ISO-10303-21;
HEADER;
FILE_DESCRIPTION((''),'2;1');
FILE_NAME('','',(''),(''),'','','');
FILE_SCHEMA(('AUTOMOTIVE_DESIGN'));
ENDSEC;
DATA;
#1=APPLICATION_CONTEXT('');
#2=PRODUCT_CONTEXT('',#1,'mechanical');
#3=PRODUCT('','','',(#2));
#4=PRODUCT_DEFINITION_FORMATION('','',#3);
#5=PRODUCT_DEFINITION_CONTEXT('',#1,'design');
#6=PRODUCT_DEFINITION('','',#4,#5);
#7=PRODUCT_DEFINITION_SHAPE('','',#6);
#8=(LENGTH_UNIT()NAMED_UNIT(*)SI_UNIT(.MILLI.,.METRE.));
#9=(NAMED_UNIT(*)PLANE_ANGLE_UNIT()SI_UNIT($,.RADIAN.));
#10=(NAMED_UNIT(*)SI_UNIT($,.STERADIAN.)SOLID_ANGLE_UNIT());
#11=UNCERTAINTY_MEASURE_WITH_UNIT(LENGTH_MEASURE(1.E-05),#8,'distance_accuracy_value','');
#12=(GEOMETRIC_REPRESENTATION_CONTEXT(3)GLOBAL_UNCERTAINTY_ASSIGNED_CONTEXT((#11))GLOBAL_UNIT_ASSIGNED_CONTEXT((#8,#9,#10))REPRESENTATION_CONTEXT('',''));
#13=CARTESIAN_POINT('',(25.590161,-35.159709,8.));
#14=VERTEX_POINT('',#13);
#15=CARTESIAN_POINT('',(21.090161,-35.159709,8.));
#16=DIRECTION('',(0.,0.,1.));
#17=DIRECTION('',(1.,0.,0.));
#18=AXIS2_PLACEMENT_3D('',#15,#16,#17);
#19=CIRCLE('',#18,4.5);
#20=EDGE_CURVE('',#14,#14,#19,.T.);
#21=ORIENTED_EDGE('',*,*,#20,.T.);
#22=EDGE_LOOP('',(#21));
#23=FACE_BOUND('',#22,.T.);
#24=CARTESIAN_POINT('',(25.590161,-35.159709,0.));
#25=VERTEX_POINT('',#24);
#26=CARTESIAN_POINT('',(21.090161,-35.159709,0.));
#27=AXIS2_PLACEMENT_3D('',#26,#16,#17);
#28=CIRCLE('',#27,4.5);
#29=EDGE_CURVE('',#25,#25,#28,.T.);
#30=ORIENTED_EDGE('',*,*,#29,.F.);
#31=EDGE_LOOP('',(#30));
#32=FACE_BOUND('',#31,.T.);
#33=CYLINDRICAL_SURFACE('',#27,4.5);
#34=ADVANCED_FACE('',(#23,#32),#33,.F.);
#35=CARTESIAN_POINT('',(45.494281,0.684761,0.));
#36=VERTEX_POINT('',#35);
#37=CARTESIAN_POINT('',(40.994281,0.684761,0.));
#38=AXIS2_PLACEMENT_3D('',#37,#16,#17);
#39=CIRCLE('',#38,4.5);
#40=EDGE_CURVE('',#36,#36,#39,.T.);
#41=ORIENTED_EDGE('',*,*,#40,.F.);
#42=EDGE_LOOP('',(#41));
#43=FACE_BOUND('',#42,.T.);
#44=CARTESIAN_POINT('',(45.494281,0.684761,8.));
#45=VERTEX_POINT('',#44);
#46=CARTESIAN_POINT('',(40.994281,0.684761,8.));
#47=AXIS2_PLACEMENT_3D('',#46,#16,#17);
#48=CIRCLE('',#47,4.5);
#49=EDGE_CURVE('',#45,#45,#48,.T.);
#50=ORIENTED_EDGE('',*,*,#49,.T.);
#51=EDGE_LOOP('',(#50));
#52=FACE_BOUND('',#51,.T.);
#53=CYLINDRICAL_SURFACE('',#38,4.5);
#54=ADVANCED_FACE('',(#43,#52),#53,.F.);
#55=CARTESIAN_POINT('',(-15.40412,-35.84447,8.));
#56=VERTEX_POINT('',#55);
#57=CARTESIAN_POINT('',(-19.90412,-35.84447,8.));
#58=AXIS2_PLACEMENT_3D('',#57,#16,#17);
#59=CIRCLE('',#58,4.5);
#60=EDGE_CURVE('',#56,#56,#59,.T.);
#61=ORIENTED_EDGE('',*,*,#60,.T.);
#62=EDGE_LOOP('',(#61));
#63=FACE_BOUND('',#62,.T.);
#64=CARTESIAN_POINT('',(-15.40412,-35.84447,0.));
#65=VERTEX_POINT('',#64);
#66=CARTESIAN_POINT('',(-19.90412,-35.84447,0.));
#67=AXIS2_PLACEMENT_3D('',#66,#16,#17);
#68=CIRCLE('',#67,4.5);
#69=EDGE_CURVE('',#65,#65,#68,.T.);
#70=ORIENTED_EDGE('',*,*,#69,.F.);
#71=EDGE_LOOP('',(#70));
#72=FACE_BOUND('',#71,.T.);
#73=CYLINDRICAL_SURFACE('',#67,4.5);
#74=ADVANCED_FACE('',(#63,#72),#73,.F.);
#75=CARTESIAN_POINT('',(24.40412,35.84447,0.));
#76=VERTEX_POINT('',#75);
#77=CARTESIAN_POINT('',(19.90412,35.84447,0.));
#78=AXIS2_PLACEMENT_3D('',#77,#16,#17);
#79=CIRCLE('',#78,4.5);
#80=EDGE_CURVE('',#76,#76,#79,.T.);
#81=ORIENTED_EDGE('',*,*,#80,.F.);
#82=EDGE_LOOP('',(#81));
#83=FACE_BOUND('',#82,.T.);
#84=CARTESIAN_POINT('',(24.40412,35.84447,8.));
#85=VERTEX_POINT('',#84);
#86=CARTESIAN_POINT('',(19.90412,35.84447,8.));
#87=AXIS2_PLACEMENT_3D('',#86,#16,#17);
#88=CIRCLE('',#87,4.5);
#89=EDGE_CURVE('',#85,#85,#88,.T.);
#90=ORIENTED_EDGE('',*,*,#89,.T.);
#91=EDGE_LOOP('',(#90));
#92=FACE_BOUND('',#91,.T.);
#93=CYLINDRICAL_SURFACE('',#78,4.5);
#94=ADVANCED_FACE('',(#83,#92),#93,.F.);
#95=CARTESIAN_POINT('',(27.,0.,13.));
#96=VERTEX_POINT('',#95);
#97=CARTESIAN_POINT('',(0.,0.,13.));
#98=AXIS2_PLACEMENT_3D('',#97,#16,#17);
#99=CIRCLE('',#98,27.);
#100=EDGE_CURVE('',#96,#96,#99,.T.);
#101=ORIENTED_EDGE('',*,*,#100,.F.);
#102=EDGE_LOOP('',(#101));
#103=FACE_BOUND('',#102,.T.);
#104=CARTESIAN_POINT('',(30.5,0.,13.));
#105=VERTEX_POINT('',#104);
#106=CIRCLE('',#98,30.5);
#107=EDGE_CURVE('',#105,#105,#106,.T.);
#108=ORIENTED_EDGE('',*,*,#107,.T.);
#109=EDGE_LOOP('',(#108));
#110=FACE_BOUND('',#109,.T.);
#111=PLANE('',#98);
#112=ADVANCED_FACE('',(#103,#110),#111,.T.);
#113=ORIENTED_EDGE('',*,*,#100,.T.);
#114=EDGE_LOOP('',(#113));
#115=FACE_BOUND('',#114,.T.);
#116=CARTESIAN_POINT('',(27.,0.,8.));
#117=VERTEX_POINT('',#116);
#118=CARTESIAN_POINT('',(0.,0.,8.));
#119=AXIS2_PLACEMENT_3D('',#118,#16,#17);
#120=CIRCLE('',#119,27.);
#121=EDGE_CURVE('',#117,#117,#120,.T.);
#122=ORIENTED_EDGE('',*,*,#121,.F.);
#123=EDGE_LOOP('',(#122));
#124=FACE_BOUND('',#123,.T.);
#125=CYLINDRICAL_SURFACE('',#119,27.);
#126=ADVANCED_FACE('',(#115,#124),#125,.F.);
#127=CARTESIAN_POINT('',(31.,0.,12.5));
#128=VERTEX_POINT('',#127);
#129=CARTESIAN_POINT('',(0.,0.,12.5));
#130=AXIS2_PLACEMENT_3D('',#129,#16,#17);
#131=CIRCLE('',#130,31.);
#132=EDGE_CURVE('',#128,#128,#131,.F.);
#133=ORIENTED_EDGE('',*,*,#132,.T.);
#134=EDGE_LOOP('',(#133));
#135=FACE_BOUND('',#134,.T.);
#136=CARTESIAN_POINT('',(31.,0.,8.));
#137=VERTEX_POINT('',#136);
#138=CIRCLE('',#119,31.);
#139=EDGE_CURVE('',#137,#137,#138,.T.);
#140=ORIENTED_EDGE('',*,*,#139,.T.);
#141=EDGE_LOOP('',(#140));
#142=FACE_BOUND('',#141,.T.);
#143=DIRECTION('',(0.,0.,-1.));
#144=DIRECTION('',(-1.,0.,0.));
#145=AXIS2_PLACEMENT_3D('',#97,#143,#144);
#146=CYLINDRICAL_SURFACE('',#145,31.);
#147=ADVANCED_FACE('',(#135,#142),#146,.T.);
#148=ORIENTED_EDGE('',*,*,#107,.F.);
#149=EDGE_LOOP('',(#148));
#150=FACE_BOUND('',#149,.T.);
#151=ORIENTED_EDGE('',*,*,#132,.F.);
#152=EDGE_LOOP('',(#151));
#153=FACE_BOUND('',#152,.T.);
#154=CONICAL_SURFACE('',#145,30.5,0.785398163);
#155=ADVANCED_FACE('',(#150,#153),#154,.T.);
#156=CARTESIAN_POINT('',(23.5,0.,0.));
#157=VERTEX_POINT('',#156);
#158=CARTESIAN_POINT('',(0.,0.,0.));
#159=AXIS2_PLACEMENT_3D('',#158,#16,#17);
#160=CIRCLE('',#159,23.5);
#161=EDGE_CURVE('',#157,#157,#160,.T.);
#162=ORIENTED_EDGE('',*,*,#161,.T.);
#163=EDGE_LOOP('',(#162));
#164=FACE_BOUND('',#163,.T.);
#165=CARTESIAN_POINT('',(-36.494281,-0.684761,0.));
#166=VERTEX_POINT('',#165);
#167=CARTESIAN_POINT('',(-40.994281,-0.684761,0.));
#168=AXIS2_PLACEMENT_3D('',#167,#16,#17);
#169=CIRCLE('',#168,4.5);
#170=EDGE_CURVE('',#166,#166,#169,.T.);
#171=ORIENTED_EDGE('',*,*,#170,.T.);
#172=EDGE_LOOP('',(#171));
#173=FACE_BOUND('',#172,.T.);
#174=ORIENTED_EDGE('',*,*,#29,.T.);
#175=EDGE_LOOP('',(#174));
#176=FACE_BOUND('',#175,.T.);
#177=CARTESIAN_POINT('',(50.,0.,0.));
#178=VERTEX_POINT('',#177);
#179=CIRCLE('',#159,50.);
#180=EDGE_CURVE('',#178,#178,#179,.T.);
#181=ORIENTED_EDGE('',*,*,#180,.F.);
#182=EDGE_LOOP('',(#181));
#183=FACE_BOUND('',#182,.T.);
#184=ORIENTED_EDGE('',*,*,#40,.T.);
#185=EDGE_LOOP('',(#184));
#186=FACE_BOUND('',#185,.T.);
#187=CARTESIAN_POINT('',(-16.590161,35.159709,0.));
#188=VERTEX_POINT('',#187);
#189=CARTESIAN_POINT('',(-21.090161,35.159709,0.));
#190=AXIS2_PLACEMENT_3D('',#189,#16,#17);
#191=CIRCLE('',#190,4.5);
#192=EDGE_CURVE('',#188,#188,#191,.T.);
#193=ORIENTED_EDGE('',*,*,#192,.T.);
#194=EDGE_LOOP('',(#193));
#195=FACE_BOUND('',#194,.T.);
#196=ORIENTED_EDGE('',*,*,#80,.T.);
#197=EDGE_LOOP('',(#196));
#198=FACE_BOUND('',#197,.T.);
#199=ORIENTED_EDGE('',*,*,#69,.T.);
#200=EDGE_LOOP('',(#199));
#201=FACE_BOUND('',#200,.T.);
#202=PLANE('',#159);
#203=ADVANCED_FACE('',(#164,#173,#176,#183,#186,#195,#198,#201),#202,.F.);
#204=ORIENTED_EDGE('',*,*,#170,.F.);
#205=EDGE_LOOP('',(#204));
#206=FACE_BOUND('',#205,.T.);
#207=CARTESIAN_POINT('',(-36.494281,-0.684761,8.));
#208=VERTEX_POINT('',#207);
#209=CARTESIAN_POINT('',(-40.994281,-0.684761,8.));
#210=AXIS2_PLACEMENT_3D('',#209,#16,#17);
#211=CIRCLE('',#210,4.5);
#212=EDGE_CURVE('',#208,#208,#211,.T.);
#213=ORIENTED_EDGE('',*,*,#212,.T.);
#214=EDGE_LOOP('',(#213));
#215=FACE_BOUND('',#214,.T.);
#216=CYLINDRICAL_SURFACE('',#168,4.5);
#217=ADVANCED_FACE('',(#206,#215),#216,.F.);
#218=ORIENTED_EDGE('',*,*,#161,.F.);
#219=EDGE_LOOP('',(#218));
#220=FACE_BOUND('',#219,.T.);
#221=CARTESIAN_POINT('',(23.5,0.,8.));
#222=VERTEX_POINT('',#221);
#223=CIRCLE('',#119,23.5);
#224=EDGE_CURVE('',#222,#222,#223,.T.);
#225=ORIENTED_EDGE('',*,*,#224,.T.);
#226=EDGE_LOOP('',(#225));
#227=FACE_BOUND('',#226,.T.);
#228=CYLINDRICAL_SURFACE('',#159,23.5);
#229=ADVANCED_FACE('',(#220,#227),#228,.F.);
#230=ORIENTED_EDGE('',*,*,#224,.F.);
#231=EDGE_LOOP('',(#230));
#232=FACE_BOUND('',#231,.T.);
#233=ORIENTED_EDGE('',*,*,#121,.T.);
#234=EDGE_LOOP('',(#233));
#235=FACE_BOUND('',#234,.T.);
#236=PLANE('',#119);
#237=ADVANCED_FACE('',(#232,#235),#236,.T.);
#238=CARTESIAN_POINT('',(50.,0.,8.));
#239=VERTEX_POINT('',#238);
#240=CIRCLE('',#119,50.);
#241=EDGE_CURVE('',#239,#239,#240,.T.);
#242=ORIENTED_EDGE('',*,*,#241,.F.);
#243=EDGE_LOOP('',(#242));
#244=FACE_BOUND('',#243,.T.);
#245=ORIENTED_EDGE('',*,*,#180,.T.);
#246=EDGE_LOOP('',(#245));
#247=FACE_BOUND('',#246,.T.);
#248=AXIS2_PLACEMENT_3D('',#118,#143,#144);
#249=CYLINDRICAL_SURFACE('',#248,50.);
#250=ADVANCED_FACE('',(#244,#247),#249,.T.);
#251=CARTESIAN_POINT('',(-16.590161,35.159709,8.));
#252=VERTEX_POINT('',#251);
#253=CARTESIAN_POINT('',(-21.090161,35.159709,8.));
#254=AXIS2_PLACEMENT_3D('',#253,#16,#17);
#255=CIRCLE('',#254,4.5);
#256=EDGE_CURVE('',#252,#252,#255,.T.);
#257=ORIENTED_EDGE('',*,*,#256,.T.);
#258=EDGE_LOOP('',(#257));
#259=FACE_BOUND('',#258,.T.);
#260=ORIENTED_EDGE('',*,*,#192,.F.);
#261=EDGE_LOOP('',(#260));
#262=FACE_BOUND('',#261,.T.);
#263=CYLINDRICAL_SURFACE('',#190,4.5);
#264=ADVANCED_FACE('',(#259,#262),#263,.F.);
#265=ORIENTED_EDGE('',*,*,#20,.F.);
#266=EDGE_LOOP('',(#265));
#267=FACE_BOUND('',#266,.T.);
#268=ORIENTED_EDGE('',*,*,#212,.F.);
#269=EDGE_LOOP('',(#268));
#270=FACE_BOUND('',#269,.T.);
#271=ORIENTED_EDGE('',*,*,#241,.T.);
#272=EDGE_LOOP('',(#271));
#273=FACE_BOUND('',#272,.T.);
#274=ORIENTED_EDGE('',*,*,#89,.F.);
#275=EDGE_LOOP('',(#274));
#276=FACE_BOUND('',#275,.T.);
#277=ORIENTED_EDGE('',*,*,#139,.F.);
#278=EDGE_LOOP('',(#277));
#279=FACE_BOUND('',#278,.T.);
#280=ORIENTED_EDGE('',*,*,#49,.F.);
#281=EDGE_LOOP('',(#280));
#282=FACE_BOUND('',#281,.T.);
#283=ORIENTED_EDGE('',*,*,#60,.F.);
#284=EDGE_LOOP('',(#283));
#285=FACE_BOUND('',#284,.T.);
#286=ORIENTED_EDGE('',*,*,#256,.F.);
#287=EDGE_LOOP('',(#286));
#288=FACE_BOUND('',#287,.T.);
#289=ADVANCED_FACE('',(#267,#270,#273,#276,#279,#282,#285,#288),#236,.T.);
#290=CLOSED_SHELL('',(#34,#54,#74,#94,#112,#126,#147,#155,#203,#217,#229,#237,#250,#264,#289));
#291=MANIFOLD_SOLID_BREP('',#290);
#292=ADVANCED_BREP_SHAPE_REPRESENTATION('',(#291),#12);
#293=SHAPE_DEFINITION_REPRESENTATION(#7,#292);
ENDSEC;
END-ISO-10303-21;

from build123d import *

# Parameters (mm, degrees)
SKETCH_1_R          = 50
EXTRUDE_1_DEPTH     = 8
SKETCH_2_R          = 31
EXTRUDE_2_DEPTH     = 5
SKETCH_3_R          = 27
CUT_EXTRUDE_2_DEPTH = 5
SKETCH_4_R          = 23.5
CUT_EXTRUDE_3_DEPTH = 72.161787499
SKETCH_5_R          = 4.5
CUT_EXTRUDE_4_DEPTH = 72.161787499
CHAMFER_1_SIZE      = 0.5


with BuildPart() as part:
    # 草图1 → 凸台-拉伸1 (new body)
    with BuildSketch(Plane.XY):
        Circle(SKETCH_1_R)
    extrude(amount=EXTRUDE_1_DEPTH)

    # 草图2 → 凸台-拉伸2 (add)
    with BuildSketch(Plane.XY.offset(8)):
        Circle(SKETCH_2_R)
    extrude(amount=EXTRUDE_2_DEPTH)

    # 草图3 → 切除-拉伸2 (cut)
    with BuildSketch(Plane.XY.offset(13)):
        Circle(SKETCH_3_R)
    extrude(amount=-CUT_EXTRUDE_2_DEPTH, mode=Mode.SUBTRACT)

    # 草图4 → 切除-拉伸3 (cut, through all)
    with BuildSketch(Plane.XY.offset(8)):
        Circle(SKETCH_4_R)
    extrude(amount=-CUT_EXTRUDE_3_DEPTH, mode=Mode.SUBTRACT)

    # 草图5 → 切除-拉伸4 (cut, through all)
    with BuildSketch(Plane.XY.offset(8)):
        with Locations((40.994281337, 0.684761001)):
            Circle(SKETCH_5_R)
        with Locations((21.090161091, -35.159708548)):
            Circle(SKETCH_5_R)
        with Locations((-19.904120246, -35.844469549)):
            Circle(SKETCH_5_R)
        with Locations((-40.994281337, -0.684761001)):
            Circle(SKETCH_5_R)
        with Locations((-21.090161091, 35.159708548)):
            Circle(SKETCH_5_R)
        with Locations((19.904120246, 35.844469549)):
            Circle(SKETCH_5_R)
    extrude(amount=-CUT_EXTRUDE_4_DEPTH, mode=Mode.SUBTRACT)

    # 倒角1
    chamfer_1_edges = [part.edges().sort_by_distance(p)[0] for p in [
        (-31, 0, 13),
    ]]
    chamfer(chamfer_1_edges, length=CHAMFER_1_SIZE)


solid = part.part
